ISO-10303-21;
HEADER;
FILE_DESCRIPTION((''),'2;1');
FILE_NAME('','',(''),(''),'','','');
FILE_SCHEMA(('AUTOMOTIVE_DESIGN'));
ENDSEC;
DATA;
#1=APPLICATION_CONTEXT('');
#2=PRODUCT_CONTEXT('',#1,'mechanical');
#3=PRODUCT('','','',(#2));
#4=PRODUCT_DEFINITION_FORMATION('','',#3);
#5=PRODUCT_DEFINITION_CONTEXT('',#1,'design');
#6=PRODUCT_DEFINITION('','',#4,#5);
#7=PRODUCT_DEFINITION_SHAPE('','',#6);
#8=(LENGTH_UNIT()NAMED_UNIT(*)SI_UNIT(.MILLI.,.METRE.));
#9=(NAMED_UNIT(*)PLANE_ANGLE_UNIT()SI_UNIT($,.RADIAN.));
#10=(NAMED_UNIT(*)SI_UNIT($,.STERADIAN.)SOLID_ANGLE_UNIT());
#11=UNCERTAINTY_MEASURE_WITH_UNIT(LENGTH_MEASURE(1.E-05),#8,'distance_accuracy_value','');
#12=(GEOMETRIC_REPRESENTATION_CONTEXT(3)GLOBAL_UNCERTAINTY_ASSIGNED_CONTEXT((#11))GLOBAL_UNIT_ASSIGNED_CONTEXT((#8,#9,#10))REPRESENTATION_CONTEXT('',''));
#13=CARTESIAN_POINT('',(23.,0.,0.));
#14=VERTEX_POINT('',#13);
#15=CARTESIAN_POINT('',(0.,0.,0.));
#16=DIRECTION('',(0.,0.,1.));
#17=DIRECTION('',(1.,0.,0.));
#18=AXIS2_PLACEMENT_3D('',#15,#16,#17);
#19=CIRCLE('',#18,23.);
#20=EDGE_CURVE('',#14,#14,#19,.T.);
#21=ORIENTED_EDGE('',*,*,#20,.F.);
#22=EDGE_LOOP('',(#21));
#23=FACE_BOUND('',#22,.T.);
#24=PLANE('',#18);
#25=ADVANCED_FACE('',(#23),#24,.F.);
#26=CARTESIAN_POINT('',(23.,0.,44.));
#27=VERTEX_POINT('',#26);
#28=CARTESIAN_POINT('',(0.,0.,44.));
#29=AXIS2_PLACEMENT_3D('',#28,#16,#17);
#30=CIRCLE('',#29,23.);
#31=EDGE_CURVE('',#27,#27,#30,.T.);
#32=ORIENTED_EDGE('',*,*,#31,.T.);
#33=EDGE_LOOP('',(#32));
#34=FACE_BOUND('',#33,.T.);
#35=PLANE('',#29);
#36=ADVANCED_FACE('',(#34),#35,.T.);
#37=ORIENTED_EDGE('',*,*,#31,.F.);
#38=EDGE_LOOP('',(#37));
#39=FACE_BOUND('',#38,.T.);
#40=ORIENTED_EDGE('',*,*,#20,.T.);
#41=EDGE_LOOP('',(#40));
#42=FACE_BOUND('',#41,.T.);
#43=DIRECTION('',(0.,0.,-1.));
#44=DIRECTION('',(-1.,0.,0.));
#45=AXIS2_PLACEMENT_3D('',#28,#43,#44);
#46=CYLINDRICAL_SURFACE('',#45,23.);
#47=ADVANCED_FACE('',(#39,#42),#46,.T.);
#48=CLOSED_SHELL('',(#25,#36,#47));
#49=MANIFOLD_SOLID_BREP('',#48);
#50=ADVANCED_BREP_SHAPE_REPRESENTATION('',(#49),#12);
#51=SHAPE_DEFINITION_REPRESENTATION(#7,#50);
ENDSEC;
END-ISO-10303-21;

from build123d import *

# Parameters (mm, degrees)
SKETCH_1_R      = 23
EXTRUDE_1_DEPTH = 44


with BuildPart() as part:
    # 草图1 → 凸台-拉伸1 (new body)
    with BuildSketch(Plane.XY):
        Circle(SKETCH_1_R)
    extrude(amount=EXTRUDE_1_DEPTH)


solid = part.part
